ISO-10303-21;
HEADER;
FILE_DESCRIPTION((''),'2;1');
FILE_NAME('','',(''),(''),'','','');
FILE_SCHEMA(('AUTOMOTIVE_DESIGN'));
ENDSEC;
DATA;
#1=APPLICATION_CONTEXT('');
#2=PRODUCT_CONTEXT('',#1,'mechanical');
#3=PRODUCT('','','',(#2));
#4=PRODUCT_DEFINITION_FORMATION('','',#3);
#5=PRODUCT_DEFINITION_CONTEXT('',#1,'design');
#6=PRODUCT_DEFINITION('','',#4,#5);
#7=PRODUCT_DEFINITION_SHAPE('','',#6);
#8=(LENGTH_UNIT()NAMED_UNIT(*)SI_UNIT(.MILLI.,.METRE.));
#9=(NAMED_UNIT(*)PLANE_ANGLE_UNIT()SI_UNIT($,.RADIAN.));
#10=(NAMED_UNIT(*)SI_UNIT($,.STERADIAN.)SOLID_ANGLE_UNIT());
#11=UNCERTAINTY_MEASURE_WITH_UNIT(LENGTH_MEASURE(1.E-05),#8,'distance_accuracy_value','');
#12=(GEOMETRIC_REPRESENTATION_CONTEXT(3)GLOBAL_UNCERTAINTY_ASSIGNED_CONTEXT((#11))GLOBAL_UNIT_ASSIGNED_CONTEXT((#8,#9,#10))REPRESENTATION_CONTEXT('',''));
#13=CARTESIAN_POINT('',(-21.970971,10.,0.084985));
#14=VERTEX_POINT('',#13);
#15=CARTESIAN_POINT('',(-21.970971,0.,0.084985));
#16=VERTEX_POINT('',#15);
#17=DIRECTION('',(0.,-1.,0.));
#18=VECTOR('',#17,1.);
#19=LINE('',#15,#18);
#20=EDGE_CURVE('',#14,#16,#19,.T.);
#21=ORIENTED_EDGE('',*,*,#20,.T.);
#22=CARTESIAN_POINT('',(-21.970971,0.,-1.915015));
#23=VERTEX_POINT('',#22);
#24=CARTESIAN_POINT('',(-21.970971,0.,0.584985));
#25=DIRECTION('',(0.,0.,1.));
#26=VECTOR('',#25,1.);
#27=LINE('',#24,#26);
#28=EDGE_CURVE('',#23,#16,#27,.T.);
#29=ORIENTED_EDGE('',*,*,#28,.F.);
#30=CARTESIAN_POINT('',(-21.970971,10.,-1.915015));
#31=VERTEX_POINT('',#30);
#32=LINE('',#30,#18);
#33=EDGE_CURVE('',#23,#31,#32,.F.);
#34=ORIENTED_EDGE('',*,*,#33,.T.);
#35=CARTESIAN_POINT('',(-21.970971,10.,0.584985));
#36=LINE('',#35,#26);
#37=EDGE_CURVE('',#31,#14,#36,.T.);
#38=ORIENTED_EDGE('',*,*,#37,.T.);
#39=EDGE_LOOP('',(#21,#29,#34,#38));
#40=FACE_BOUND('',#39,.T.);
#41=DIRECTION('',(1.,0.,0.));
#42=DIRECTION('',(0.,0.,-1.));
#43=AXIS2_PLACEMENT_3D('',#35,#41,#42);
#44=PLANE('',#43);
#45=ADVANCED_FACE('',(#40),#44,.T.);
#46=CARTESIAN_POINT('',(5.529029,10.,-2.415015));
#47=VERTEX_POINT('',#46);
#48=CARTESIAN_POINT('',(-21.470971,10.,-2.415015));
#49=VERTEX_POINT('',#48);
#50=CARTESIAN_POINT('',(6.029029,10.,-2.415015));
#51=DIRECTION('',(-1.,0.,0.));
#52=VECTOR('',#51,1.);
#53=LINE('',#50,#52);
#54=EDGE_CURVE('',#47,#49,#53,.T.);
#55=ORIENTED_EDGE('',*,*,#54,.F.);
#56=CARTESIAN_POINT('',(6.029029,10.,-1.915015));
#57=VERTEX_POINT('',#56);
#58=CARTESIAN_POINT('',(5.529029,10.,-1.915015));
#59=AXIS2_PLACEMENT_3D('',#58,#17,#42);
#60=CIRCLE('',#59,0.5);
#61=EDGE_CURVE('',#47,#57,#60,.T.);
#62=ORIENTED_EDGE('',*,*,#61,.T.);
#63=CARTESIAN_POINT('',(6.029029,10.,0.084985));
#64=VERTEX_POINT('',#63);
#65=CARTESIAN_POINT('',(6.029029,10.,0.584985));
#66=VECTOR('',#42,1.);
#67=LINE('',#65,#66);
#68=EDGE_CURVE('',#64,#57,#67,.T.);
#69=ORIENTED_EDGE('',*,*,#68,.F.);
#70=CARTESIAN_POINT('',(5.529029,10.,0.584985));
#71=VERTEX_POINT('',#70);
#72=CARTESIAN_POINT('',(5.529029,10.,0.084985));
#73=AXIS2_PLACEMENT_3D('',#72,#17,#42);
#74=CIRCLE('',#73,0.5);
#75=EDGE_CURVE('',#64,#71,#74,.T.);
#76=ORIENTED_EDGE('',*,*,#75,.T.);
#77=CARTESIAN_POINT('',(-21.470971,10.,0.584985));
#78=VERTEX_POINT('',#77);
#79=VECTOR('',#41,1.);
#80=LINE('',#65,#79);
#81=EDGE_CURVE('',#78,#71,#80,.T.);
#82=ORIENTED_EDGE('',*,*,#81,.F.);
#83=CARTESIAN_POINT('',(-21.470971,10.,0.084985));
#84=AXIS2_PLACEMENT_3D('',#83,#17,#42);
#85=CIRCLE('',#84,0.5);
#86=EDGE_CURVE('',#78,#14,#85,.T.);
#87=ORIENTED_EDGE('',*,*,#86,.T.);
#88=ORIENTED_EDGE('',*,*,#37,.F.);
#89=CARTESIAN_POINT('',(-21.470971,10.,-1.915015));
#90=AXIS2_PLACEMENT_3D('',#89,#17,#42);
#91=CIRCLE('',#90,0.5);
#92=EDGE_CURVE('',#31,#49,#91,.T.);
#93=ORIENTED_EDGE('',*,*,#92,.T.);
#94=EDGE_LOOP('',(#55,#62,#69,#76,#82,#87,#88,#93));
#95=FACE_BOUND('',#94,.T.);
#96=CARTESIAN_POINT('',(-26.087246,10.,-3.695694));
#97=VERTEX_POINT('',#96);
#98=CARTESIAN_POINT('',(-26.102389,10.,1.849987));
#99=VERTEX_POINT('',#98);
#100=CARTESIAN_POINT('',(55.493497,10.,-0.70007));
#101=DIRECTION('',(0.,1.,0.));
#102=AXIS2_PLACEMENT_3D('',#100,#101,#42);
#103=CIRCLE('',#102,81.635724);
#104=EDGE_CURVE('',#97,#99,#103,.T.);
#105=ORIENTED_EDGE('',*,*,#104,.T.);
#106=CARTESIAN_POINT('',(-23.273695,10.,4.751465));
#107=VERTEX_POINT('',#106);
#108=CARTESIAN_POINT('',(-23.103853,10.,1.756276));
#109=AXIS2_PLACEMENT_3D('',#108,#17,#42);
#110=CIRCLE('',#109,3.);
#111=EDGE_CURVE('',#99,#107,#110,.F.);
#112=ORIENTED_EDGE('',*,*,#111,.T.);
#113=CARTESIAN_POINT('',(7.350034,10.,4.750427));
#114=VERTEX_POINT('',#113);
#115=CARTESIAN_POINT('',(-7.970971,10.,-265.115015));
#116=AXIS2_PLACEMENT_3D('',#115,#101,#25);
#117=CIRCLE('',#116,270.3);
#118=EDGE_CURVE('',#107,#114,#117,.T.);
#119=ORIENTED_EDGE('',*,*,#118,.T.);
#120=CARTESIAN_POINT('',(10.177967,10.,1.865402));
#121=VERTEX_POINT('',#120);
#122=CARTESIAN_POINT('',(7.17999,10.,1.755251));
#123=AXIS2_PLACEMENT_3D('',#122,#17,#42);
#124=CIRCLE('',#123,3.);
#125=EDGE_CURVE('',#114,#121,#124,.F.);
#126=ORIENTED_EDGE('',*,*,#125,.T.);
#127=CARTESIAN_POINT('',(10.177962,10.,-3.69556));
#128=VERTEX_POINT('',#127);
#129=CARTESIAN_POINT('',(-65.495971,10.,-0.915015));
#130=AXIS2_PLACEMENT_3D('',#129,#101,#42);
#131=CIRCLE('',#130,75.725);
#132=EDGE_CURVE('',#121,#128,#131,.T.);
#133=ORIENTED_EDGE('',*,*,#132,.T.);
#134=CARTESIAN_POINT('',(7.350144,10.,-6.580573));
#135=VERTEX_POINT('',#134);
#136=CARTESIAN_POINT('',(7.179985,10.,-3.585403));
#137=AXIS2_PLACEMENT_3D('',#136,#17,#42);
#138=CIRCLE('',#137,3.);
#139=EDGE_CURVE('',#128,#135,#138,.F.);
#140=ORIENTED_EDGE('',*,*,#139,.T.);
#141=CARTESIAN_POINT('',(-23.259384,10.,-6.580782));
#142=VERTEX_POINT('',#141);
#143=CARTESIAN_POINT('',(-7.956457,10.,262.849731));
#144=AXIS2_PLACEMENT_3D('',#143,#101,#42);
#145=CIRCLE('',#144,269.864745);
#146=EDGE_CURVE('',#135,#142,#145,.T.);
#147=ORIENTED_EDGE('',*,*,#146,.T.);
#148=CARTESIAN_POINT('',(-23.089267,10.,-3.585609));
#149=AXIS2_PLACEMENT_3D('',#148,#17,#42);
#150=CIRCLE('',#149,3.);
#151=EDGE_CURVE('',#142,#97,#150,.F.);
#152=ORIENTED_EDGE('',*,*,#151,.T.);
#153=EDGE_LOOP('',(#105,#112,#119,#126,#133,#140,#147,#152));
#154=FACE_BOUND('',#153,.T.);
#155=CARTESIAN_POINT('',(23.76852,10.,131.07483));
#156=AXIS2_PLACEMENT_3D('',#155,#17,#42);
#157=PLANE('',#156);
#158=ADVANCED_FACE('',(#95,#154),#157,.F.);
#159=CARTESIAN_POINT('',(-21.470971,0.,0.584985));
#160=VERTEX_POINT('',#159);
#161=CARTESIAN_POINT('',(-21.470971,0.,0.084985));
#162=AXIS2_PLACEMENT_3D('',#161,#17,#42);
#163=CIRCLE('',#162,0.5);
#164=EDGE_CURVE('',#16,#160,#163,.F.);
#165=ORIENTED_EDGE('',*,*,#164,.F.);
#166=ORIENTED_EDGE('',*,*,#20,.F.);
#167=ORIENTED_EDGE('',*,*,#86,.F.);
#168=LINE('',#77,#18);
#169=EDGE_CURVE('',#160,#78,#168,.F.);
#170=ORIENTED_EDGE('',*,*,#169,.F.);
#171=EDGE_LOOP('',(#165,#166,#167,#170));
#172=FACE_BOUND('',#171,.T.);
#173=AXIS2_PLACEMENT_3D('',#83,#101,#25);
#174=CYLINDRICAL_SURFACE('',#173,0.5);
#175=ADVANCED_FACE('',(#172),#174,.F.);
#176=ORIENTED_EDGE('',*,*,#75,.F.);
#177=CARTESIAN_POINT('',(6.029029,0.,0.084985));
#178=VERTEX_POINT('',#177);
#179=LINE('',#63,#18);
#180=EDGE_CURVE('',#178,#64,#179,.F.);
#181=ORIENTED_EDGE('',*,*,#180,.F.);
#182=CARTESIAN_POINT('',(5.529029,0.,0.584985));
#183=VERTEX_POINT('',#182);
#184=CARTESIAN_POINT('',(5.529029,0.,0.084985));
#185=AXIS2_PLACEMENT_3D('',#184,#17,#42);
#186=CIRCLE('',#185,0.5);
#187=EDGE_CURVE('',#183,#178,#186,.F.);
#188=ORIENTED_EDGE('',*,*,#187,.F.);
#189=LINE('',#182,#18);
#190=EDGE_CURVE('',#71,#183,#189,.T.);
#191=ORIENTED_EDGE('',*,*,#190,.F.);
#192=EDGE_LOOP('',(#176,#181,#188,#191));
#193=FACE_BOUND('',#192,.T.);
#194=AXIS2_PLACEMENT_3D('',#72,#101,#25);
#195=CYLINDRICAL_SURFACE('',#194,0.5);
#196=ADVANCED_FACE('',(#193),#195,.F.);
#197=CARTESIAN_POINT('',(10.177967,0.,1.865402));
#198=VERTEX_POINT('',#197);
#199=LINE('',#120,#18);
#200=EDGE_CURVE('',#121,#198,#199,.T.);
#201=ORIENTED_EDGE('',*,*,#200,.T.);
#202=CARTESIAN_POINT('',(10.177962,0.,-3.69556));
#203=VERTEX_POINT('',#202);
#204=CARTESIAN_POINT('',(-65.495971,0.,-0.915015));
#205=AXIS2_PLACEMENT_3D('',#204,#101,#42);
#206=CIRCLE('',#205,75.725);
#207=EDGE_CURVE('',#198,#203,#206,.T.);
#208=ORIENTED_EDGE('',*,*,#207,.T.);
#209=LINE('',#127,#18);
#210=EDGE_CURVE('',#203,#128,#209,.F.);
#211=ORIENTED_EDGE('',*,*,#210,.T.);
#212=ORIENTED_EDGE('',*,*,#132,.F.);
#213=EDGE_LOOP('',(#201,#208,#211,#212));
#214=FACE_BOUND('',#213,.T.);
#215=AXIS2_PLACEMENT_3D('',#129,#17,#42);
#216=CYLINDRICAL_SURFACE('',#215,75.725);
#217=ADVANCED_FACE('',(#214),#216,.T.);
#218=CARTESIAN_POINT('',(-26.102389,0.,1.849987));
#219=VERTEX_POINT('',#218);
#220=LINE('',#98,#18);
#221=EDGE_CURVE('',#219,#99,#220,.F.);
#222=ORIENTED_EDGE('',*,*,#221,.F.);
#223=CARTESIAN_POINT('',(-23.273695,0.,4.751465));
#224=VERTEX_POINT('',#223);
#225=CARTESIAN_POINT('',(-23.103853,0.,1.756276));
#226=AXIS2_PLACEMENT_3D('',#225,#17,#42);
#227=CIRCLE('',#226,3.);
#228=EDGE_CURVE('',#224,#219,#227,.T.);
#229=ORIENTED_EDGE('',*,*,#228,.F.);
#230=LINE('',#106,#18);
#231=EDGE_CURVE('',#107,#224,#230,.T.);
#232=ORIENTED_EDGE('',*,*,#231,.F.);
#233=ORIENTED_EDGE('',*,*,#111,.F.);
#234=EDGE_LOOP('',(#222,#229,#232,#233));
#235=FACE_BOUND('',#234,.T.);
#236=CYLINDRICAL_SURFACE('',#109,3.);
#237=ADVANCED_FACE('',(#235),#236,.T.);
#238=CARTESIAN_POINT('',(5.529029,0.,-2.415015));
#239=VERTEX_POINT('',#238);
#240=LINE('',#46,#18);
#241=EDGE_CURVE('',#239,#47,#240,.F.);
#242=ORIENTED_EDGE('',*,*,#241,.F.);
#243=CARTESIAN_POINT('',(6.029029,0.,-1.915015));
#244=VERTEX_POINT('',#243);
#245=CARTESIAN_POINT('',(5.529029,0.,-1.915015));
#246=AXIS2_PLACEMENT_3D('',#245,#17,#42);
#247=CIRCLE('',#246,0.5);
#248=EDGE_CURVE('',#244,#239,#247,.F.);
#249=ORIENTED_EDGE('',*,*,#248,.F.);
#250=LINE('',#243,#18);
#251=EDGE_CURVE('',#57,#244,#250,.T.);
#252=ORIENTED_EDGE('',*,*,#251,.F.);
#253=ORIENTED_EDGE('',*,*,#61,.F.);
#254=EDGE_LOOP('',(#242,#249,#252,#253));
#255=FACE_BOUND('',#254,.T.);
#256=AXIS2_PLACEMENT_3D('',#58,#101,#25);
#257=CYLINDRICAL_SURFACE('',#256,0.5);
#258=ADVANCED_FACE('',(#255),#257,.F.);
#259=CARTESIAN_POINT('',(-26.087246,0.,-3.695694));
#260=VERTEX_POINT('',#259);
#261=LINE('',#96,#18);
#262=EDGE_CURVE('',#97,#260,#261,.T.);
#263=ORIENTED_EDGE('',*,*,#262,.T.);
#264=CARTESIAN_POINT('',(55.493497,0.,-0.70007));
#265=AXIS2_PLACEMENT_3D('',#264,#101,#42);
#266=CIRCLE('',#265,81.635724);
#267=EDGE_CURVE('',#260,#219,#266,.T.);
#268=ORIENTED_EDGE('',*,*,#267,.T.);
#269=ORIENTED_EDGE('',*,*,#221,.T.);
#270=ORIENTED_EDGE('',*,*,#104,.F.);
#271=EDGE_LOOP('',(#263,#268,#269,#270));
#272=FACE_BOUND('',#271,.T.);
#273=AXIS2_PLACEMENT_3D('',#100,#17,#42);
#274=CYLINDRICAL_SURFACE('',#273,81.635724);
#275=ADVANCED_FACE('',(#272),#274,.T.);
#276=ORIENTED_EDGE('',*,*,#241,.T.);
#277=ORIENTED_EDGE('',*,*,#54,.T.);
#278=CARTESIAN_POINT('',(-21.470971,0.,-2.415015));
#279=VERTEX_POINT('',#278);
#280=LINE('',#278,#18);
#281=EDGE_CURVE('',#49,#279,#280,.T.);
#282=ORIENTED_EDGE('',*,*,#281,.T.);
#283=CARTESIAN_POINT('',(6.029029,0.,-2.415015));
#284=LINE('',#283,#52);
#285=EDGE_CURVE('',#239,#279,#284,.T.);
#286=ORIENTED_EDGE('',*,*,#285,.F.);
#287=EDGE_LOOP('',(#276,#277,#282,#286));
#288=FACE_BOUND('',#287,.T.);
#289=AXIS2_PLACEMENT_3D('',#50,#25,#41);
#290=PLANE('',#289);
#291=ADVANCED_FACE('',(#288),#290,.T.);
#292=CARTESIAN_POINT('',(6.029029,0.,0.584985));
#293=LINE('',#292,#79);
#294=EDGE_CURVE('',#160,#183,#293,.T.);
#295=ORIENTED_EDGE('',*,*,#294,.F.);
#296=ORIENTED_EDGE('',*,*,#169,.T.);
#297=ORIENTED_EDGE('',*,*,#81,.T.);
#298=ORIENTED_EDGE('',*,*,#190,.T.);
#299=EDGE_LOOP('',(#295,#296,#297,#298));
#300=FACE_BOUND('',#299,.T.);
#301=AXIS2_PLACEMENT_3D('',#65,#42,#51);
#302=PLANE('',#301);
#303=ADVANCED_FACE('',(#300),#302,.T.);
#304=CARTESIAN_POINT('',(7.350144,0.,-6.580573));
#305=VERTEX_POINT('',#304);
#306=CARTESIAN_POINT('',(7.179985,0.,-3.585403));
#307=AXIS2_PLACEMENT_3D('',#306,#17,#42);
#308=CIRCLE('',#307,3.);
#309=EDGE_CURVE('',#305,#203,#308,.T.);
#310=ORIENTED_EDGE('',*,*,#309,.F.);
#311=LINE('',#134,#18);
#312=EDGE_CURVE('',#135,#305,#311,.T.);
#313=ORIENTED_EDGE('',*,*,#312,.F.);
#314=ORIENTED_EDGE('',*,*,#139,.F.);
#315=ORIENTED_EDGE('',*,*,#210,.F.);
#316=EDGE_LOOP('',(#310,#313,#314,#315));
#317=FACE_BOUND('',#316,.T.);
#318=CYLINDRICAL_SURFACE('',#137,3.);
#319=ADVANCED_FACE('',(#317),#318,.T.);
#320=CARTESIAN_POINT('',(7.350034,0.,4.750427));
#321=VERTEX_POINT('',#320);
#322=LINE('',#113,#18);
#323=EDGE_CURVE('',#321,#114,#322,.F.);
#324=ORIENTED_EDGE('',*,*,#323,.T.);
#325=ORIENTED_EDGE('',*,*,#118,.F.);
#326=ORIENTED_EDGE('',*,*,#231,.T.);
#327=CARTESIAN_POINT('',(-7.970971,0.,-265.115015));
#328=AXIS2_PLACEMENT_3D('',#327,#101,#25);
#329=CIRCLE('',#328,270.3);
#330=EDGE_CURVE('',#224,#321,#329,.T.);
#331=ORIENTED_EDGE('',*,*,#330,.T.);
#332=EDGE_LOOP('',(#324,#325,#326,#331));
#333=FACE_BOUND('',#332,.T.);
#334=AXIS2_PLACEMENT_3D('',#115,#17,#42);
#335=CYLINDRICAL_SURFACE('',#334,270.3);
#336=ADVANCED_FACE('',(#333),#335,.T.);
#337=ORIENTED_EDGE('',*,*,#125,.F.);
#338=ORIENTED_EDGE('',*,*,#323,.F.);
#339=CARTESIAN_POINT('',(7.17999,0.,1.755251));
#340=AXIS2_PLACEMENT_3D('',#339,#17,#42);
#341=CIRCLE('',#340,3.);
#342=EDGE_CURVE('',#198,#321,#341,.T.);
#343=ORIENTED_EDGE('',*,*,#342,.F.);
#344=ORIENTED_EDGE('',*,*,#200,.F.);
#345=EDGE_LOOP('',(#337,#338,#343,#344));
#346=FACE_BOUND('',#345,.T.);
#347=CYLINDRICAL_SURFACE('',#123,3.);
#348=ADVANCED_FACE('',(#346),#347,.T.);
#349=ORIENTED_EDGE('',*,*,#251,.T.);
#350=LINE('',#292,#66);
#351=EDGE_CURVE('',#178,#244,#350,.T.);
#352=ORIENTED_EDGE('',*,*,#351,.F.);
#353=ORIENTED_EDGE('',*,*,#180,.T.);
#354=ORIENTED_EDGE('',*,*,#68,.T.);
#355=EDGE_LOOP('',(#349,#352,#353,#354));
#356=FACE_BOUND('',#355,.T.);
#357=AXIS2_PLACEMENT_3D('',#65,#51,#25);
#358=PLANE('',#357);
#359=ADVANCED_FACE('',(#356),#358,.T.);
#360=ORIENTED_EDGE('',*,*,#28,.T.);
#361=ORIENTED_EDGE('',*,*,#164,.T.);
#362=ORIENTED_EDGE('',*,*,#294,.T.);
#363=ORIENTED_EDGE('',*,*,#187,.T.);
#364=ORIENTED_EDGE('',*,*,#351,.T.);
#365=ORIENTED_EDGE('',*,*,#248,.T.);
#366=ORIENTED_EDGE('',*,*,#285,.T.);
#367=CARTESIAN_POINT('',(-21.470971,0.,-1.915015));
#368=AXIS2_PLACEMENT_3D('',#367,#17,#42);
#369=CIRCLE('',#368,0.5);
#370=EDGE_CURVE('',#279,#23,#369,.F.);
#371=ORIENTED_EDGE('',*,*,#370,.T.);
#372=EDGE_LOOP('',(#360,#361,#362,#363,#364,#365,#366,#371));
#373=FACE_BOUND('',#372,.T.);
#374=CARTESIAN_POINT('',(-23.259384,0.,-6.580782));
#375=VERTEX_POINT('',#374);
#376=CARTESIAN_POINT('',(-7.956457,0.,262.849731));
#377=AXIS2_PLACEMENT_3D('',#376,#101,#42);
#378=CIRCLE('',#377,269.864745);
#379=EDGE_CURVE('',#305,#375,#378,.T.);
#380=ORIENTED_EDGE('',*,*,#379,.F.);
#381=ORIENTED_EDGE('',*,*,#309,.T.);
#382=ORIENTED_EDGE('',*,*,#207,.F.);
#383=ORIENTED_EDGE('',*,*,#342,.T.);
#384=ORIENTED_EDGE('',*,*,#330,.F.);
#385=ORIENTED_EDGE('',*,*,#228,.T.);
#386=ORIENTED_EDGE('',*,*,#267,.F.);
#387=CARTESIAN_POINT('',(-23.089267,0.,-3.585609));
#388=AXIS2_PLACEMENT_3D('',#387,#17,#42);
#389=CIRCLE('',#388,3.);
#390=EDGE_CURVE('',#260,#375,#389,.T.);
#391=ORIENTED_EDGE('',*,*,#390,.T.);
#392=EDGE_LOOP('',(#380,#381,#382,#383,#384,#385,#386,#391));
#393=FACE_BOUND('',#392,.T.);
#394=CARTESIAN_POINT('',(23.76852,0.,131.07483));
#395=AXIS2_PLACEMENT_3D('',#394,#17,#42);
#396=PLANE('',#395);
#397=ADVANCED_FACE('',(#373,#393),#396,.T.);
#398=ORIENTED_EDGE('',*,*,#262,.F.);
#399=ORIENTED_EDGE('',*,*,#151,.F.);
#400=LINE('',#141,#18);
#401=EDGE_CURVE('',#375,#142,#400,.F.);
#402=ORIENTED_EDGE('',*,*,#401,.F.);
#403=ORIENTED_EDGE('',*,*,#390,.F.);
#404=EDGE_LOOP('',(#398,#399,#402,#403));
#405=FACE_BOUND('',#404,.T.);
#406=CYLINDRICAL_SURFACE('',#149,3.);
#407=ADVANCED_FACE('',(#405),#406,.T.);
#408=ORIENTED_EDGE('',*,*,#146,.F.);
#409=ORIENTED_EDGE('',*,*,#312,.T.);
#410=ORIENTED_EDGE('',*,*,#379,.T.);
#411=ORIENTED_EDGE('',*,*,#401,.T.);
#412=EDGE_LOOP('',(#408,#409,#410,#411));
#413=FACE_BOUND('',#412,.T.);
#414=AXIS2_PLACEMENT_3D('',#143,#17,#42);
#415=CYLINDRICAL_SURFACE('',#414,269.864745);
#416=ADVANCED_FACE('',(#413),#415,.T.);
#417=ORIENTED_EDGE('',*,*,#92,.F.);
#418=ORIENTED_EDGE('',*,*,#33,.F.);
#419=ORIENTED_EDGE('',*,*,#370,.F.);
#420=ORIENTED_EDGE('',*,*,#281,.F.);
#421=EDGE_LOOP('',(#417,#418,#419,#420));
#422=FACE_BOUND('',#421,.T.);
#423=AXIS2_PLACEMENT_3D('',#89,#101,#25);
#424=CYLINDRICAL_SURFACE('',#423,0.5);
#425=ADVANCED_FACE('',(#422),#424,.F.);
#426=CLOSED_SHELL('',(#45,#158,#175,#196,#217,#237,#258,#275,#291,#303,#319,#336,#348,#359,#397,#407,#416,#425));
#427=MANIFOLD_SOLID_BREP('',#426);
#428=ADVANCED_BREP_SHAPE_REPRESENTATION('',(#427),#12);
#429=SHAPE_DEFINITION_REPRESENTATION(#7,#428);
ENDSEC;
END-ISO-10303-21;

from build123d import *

# Parameters (mm, degrees)
SKETCH_1_W      = 28
SKETCH_1_H      = 3
EXTRUDE_1_DEPTH = 10
FILLET_1_R      = 3
FILLET_2_R      = 0.5


with BuildPart() as part:
    # Эскиз1 → Бобышка-Вытянуть1 (new body)
    with BuildSketch(Plane(origin=(0, 0, 0), x_dir=(1, 0, 0), z_dir=(0, 1, 0))):
        with BuildLine():
            ThreePointArc((-25.941942596, 6.415014515), (-7.956456947, 7.015014515), (10.029028702, 6.415014515))
            ThreePointArc((10.029028702, 6.415014515), (10.229028702, 0.915014515), (10.029028702, -4.584985485))
            ThreePointArc((10.029028702, -4.584985485), (-7.970971298, -5.184985485), (-25.970971298, -4.584985485))
            ThreePointArc((-25.970971298, -4.584985485), (-26.141942596, 0.915504007), (-25.941942596, 6.415014515))
        make_face()
        with Locations((-7.970971298, 0.915014515)):
            Rectangle(SKETCH_1_W, SKETCH_1_H, mode=Mode.SUBTRACT)
    extrude(amount=EXTRUDE_1_DEPTH)

    # Скругление1
    fillet_1_edges = [part.edges().sort_by_distance(p)[0] for p in [
        (-25.941942596, 5, -6.415014515),
        (10.029028702, 5, -6.415014515),
        (10.029028702, 5, 4.584985485),
        (-25.970971298, 5, 4.584985485),
    ]]
    fillet(fillet_1_edges, radius=FILLET_1_R)

    # Скругление2
    fillet_2_edges = [part.edges().sort_by_distance(p)[0] for p in [
        (-21.970971298, 5, -2.415014515),
        (-21.970971298, 5, 0.584985485),
        (6.029028702, 5, 0.584985485),
        (6.029028702, 5, -2.415014515),
    ]]
    fillet(fillet_2_edges, radius=FILLET_2_R)


solid = part.part
